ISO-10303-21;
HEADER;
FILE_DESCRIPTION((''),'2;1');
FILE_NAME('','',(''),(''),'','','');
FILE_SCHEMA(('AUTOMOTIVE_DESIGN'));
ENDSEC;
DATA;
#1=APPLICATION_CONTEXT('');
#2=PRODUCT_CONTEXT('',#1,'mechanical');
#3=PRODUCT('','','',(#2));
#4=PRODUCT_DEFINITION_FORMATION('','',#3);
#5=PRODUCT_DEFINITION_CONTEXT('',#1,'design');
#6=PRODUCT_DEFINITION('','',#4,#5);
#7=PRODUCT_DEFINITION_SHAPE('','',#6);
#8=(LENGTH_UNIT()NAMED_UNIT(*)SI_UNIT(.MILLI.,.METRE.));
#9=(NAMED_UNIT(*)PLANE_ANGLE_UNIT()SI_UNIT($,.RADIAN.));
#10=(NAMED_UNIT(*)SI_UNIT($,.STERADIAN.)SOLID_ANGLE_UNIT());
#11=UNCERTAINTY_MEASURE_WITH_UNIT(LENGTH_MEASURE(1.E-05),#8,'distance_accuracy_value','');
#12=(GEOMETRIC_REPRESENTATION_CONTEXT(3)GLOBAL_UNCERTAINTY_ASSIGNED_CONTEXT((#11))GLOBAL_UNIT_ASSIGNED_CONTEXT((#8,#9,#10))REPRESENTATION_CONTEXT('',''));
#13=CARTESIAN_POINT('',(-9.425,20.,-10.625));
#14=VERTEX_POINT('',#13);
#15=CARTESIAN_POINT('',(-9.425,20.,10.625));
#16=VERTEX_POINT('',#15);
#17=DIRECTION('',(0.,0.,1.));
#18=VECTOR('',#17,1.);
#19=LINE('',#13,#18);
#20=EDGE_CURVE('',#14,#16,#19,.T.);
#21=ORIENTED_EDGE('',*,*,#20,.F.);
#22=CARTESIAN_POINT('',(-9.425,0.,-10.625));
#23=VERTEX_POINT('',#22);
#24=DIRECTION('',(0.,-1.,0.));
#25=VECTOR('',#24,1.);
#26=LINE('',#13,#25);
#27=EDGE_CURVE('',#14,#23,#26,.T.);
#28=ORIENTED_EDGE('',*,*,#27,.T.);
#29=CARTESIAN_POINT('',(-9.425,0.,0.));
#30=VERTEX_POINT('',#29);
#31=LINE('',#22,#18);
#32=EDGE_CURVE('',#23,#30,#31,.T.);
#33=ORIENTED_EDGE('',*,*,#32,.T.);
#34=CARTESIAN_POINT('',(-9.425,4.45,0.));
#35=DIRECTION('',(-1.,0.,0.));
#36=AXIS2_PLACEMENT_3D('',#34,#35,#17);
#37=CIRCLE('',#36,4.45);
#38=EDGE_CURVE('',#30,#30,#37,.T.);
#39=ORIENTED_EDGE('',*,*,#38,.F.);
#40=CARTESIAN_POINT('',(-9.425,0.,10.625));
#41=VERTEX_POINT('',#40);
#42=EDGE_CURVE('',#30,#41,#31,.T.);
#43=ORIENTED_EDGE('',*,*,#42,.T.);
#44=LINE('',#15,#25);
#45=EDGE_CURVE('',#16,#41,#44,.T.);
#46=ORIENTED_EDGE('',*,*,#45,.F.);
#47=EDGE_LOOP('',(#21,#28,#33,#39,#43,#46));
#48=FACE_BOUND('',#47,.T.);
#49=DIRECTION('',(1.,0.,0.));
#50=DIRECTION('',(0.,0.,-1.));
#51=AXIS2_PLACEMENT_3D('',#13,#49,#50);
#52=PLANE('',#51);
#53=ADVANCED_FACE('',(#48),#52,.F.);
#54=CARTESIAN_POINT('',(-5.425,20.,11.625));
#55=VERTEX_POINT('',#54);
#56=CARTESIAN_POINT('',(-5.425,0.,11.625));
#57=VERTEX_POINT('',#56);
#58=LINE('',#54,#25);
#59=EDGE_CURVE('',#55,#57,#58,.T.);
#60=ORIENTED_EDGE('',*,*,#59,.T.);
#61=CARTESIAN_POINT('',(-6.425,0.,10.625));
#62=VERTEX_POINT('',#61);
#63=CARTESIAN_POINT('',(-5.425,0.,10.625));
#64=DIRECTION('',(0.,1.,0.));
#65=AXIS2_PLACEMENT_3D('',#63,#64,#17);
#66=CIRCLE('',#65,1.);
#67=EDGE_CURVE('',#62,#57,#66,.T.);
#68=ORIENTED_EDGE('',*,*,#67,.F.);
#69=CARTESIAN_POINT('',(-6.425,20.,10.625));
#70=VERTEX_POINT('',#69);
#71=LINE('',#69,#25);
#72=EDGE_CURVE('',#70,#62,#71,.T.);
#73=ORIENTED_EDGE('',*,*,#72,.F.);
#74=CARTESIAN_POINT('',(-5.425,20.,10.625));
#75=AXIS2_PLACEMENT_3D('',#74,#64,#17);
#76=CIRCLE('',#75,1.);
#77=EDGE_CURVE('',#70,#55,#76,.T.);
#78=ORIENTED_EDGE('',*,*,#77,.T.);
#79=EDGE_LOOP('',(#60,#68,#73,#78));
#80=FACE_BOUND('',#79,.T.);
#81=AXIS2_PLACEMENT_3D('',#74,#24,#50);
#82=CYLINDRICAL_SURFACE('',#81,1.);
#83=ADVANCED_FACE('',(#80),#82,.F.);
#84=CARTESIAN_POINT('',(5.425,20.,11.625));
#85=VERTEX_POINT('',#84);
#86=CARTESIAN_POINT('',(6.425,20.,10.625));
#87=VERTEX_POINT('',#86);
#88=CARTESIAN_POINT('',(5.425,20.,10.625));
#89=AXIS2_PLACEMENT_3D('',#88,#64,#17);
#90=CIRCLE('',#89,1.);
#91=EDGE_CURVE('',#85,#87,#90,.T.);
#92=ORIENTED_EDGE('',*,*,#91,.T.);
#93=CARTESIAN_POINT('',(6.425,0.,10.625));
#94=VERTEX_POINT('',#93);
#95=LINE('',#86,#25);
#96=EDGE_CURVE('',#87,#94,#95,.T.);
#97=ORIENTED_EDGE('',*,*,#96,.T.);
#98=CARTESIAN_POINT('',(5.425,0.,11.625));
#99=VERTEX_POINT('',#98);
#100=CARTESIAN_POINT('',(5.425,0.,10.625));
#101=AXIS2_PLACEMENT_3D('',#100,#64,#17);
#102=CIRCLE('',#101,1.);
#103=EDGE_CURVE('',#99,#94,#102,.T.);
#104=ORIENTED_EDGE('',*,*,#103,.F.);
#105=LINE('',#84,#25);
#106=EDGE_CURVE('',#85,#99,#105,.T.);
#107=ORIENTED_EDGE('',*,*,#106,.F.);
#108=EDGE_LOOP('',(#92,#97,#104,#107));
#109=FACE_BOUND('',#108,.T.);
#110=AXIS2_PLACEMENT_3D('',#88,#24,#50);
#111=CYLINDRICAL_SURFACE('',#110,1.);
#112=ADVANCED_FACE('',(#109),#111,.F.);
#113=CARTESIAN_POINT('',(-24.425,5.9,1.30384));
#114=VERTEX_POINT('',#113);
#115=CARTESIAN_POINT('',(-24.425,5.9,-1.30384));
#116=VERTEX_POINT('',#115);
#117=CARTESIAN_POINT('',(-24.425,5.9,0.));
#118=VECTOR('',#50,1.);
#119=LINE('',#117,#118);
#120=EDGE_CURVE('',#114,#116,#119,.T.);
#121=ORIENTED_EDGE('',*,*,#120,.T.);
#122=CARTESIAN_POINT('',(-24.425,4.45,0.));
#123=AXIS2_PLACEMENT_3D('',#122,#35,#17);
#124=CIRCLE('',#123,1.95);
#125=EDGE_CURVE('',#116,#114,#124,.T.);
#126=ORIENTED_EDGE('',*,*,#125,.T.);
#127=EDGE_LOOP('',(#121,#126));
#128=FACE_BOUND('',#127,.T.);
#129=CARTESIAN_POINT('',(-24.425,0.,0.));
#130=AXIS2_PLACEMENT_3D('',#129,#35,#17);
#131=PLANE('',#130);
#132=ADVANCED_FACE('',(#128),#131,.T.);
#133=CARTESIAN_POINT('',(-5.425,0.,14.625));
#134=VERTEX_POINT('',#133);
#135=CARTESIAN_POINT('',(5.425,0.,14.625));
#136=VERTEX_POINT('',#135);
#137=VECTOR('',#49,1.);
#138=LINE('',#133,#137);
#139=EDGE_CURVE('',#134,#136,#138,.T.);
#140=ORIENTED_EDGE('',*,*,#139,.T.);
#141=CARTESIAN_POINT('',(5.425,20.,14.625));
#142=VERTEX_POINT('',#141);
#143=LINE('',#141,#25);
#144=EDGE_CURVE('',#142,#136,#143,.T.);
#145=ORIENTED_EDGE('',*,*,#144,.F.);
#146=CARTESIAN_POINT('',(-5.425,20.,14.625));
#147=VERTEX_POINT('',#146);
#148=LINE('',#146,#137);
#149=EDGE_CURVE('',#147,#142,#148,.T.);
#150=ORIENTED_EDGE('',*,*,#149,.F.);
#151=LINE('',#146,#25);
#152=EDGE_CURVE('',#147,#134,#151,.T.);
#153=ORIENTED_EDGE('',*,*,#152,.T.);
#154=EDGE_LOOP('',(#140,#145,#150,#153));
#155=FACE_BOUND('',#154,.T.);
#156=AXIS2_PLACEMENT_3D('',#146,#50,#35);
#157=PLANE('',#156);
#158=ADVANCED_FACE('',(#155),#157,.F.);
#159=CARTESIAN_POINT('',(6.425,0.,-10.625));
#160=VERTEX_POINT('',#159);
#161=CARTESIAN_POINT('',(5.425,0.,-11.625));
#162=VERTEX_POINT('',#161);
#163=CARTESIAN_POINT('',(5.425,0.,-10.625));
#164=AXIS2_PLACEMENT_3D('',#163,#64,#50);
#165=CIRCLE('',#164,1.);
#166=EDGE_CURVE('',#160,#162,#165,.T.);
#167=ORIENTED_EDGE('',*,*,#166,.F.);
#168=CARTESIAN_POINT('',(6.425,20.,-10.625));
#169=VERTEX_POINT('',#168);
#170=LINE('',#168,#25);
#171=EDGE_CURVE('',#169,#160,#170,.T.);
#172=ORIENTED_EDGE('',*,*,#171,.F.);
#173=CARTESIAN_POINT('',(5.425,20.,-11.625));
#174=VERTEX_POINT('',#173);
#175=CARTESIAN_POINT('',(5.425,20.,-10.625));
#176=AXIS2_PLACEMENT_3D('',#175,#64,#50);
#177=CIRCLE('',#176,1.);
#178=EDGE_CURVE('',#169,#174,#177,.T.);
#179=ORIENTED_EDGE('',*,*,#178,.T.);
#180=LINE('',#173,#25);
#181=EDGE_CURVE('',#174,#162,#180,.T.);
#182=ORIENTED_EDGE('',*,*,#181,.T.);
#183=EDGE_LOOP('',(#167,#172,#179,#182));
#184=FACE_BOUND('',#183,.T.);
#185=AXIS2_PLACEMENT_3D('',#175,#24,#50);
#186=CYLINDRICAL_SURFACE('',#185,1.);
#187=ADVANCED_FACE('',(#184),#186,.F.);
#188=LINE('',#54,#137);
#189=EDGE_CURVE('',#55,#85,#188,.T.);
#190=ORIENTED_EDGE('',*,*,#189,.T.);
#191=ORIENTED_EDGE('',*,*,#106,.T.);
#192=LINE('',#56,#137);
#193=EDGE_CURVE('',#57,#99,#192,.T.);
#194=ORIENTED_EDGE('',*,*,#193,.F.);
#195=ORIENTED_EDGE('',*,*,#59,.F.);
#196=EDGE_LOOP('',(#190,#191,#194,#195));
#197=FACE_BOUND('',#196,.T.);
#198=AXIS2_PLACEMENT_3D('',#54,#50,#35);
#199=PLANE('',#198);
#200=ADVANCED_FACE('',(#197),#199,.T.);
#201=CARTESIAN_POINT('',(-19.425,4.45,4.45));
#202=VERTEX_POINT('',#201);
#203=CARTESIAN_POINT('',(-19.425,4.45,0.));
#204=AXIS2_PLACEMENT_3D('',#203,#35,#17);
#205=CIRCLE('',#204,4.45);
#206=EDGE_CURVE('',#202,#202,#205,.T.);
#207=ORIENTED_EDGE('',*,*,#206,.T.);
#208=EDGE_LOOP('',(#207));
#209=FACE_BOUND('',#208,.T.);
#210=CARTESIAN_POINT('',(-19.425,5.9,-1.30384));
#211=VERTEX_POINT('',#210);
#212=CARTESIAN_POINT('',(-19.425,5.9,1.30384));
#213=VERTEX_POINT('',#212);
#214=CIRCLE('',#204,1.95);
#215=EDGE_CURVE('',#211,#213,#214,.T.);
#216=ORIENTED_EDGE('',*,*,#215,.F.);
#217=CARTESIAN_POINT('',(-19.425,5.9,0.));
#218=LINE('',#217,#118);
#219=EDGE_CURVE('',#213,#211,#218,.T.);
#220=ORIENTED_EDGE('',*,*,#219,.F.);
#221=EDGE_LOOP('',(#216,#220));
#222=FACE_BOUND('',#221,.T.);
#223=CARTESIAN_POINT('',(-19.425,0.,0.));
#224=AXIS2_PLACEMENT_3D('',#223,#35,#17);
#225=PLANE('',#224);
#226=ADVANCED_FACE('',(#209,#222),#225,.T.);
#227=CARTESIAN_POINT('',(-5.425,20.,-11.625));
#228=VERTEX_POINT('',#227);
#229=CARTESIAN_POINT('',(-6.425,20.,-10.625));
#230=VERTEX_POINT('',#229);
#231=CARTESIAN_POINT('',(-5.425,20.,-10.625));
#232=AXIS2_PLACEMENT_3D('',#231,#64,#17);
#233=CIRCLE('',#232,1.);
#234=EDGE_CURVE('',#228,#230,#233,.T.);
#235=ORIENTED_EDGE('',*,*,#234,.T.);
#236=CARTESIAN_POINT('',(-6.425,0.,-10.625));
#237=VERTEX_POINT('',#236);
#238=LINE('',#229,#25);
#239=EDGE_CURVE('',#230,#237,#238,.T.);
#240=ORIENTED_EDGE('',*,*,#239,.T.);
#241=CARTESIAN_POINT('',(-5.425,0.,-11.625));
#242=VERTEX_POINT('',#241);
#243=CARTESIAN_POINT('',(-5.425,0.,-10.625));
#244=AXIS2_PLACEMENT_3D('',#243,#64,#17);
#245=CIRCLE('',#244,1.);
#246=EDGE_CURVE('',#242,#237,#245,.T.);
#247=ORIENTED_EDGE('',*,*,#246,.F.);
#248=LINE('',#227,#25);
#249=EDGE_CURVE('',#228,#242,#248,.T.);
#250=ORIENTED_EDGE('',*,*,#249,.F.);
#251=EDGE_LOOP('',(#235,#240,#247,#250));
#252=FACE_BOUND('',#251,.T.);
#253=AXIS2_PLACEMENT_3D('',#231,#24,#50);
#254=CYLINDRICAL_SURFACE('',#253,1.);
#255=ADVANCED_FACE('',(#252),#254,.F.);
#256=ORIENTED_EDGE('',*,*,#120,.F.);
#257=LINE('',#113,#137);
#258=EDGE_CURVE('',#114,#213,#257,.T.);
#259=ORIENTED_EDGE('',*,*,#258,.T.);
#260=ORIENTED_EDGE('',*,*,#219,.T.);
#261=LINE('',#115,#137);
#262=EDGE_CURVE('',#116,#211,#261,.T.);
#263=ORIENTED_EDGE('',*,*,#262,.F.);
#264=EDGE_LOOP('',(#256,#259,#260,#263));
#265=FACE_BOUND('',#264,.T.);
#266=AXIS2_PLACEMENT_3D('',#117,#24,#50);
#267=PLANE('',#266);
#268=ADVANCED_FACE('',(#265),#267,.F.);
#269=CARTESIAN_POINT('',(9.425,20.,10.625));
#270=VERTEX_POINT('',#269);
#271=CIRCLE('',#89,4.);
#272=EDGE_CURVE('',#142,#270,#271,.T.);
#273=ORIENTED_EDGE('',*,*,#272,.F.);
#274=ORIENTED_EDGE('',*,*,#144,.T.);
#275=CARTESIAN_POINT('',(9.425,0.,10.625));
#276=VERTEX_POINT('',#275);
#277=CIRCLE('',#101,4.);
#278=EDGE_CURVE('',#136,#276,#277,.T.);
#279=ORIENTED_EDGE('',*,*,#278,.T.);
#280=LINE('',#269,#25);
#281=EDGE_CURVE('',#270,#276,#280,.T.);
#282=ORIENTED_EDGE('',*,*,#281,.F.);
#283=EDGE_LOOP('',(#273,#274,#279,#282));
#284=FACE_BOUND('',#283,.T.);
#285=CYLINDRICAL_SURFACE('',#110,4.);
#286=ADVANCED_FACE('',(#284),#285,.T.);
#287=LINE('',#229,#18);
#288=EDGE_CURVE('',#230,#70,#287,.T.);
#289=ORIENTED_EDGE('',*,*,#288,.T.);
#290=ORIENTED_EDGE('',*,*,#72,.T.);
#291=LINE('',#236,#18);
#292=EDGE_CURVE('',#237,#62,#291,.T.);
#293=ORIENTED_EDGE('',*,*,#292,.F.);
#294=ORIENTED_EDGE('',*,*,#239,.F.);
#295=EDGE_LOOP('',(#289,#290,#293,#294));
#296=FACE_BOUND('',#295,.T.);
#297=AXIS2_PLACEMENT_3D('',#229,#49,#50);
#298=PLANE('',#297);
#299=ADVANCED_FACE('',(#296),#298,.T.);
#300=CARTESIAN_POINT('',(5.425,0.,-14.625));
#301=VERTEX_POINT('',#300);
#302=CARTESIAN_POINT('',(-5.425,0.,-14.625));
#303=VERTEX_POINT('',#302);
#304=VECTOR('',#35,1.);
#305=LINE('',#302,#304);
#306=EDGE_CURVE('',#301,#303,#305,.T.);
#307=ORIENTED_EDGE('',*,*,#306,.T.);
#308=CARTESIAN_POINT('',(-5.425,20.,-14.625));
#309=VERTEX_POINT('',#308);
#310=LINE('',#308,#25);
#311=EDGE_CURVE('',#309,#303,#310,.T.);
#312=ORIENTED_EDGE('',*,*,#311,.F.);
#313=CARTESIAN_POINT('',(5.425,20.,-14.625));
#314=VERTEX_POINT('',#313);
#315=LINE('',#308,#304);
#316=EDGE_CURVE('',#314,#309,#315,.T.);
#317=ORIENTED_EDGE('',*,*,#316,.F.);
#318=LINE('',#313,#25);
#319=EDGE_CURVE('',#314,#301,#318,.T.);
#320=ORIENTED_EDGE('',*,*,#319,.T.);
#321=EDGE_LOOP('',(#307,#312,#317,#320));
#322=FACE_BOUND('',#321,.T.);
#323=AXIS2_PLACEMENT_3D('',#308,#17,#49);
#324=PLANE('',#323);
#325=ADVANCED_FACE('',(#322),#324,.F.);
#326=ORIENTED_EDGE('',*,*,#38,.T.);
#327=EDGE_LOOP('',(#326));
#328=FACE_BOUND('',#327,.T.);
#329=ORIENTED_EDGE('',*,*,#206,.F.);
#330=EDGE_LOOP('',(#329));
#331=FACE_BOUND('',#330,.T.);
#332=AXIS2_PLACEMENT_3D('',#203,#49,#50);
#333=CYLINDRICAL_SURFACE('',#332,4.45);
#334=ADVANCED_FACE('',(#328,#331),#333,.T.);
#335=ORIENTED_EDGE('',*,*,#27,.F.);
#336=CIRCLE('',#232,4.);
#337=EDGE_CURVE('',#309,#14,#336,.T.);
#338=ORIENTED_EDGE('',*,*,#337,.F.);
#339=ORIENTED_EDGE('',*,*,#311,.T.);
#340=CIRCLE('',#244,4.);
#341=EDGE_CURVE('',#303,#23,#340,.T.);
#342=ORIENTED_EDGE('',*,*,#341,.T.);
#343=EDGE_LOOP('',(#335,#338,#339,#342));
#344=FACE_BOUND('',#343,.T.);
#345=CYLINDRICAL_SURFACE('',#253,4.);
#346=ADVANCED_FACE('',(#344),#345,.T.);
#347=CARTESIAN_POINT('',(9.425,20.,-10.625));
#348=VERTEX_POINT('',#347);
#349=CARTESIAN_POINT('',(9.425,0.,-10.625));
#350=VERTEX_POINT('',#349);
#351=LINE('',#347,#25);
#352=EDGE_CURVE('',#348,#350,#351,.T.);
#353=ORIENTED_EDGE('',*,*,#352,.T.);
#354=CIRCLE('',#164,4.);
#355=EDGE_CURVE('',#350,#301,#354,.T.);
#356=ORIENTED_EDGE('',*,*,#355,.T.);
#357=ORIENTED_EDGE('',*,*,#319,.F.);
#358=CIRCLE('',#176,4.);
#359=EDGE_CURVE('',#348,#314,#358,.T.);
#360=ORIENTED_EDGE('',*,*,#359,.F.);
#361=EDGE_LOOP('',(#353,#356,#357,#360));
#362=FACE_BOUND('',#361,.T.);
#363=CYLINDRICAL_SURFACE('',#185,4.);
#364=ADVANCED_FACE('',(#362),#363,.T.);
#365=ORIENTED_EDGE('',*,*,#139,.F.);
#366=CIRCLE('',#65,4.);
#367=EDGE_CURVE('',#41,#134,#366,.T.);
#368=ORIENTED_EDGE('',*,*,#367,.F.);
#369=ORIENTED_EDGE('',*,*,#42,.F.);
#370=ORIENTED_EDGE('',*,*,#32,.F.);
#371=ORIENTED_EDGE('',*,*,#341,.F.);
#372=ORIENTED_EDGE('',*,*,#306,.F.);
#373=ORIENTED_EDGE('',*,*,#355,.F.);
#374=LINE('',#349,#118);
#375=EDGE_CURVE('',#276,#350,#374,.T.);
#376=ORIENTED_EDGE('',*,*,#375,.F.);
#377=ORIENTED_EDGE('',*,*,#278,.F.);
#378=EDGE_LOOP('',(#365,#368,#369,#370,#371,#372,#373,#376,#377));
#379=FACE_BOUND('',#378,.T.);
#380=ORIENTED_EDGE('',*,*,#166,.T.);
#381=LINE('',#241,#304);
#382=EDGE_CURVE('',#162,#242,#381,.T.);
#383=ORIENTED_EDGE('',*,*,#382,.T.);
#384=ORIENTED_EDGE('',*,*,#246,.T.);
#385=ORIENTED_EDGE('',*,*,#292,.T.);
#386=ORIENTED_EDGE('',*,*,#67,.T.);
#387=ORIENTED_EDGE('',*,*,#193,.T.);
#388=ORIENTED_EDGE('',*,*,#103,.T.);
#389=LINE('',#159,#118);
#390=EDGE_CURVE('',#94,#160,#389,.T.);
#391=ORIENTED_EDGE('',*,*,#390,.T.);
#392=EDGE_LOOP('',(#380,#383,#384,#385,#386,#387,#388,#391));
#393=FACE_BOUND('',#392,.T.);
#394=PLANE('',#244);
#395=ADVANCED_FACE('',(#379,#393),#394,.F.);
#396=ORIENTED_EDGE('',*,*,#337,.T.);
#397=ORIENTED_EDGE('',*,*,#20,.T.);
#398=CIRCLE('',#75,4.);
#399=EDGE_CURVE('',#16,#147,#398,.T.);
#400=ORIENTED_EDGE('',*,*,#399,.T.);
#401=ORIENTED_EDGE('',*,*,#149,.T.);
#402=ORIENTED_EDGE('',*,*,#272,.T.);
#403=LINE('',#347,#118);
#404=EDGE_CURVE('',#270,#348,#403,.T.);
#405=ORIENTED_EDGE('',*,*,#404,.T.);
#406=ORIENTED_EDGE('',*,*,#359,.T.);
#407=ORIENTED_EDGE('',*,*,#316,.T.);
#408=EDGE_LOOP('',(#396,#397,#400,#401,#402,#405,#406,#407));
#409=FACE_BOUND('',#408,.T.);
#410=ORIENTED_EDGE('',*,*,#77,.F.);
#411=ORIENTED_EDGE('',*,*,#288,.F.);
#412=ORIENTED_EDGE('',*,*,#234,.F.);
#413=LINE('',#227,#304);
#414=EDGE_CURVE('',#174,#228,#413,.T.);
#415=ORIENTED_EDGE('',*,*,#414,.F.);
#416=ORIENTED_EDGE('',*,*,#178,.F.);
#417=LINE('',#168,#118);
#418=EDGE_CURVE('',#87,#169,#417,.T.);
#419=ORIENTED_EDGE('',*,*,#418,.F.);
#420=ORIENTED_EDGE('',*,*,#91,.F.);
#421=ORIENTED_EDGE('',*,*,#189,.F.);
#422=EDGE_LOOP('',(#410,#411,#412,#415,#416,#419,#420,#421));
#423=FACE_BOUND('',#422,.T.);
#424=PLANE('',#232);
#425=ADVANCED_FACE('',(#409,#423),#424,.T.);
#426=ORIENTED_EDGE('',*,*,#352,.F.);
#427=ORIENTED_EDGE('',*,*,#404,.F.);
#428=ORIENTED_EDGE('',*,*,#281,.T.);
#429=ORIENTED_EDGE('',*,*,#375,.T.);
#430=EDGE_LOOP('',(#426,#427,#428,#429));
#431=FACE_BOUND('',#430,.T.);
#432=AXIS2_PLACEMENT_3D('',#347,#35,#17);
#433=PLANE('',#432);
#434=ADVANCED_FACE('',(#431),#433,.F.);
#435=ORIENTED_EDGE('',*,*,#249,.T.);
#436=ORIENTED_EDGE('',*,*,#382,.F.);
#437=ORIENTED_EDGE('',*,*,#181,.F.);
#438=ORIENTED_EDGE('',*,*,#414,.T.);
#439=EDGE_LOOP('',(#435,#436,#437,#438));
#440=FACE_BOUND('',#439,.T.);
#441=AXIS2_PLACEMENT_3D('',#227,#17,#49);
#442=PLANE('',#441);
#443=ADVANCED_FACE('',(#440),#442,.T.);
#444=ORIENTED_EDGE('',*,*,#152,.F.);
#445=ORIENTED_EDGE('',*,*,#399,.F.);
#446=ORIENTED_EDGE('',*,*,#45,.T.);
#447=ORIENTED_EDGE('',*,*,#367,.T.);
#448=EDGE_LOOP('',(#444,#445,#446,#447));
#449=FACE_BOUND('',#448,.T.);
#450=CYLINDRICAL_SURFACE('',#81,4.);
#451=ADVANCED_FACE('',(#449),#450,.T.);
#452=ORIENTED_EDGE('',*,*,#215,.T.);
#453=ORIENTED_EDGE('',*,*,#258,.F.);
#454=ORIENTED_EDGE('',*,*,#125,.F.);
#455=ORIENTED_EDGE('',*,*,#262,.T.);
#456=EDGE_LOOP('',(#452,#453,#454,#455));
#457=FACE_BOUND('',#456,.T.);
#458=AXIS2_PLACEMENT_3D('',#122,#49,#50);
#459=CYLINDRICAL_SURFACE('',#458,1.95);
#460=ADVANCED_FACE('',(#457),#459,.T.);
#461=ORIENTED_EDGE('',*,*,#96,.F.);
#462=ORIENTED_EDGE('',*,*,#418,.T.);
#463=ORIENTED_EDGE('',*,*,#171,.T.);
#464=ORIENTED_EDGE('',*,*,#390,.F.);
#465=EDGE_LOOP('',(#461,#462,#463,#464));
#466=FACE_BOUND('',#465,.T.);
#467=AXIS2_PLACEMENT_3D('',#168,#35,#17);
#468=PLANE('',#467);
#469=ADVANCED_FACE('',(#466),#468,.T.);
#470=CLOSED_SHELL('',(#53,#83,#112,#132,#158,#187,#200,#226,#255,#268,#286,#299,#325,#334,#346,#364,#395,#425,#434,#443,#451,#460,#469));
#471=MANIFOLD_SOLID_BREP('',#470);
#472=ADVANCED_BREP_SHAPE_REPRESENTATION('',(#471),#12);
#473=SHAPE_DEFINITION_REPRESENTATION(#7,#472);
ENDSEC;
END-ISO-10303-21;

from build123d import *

# Parameters (mm, degrees)
BOSS_EXTRUDE1_DEPTH = 20
SKETCH2_R           = 4.45
BOSS_EXTRUDE2_DEPTH = 10
BOSS_EXTRUDE3_DEPTH = 15


with BuildPart() as part:
    # Sketch1 → Boss-Extrude1 (new body)
    with BuildSketch(Plane(origin=(0, 0, 0), x_dir=(1, 0, 0), z_dir=(0, 1, 0))):
        with BuildLine():
            Line((-5.425, 14.625), (5.425, 14.625))
            ThreePointArc((5.425, 14.625), (8.253427125, 13.453427125), (9.425, 10.625))
            Line((9.425, 10.625), (9.425, -10.625))
            ThreePointArc((9.425, -10.625), (8.253427125, -13.453427125), (5.425, -14.625))
            Line((5.425, -14.625), (-5.425, -14.625))
            ThreePointArc((-5.425, -14.625), (-8.253427125, -13.453427125), (-9.425, -10.625))
            Line((-9.425, -10.625), (-9.425, 10.625))
            ThreePointArc((-9.425, 10.625), (-8.253427125, 13.453427125), (-5.425, 14.625))
        make_face()
        with BuildLine():
            Line((-5.425, 11.625), (5.425, 11.625))
            ThreePointArc((5.425, 11.625), (6.132106781, 11.332106781), (6.425, 10.625))
            Line((6.425, 10.625), (6.425, -10.625))
            ThreePointArc((6.425, -10.625), (6.132106781, -11.332106781), (5.425, -11.625))
            Line((5.425, -11.625), (-5.425, -11.625))
            ThreePointArc((-5.425, -11.625), (-6.132106781, -11.332106781), (-6.425, -10.625))
            Line((-6.425, -10.625), (-6.425, 10.625))
            ThreePointArc((-6.425, 10.625), (-6.132106781, 11.332106781), (-5.425, 11.625))
        make_face(mode=Mode.SUBTRACT)
    extrude(amount=BOSS_EXTRUDE1_DEPTH)

    # Sketch2 → Boss-Extrude2 (add)
    with BuildSketch(Plane.ZY.offset(9.425)):
        with Locations((0, 4.45)):
            Circle(SKETCH2_R)
        with BuildLine():
            Line((-1.303840481, 5.9), (1.303840481, 5.9))
            ThreePointArc((1.303840481, 5.9), (0, 2.5), (-1.303840481, 5.9))
        make_face(mode=Mode.SUBTRACT)
    extrude(amount=BOSS_EXTRUDE2_DEPTH)

    # Sketch2<4> → Boss-Extrude3 (add)
    with BuildSketch(Plane.ZY.offset(9.425)):
        with BuildLine():
            ThreePointArc((1.95, 4.45), (1.78114976, 5.243728878), (1.303840481, 5.9))
            Line((1.303840481, 5.9), (-1.303840481, 5.9))
            ThreePointArc((-1.303840481, 5.9), (-0.793728878, 2.66885024), (1.95, 4.45))
        make_face()
    extrude(amount=BOSS_EXTRUDE3_DEPTH)


solid = part.part
